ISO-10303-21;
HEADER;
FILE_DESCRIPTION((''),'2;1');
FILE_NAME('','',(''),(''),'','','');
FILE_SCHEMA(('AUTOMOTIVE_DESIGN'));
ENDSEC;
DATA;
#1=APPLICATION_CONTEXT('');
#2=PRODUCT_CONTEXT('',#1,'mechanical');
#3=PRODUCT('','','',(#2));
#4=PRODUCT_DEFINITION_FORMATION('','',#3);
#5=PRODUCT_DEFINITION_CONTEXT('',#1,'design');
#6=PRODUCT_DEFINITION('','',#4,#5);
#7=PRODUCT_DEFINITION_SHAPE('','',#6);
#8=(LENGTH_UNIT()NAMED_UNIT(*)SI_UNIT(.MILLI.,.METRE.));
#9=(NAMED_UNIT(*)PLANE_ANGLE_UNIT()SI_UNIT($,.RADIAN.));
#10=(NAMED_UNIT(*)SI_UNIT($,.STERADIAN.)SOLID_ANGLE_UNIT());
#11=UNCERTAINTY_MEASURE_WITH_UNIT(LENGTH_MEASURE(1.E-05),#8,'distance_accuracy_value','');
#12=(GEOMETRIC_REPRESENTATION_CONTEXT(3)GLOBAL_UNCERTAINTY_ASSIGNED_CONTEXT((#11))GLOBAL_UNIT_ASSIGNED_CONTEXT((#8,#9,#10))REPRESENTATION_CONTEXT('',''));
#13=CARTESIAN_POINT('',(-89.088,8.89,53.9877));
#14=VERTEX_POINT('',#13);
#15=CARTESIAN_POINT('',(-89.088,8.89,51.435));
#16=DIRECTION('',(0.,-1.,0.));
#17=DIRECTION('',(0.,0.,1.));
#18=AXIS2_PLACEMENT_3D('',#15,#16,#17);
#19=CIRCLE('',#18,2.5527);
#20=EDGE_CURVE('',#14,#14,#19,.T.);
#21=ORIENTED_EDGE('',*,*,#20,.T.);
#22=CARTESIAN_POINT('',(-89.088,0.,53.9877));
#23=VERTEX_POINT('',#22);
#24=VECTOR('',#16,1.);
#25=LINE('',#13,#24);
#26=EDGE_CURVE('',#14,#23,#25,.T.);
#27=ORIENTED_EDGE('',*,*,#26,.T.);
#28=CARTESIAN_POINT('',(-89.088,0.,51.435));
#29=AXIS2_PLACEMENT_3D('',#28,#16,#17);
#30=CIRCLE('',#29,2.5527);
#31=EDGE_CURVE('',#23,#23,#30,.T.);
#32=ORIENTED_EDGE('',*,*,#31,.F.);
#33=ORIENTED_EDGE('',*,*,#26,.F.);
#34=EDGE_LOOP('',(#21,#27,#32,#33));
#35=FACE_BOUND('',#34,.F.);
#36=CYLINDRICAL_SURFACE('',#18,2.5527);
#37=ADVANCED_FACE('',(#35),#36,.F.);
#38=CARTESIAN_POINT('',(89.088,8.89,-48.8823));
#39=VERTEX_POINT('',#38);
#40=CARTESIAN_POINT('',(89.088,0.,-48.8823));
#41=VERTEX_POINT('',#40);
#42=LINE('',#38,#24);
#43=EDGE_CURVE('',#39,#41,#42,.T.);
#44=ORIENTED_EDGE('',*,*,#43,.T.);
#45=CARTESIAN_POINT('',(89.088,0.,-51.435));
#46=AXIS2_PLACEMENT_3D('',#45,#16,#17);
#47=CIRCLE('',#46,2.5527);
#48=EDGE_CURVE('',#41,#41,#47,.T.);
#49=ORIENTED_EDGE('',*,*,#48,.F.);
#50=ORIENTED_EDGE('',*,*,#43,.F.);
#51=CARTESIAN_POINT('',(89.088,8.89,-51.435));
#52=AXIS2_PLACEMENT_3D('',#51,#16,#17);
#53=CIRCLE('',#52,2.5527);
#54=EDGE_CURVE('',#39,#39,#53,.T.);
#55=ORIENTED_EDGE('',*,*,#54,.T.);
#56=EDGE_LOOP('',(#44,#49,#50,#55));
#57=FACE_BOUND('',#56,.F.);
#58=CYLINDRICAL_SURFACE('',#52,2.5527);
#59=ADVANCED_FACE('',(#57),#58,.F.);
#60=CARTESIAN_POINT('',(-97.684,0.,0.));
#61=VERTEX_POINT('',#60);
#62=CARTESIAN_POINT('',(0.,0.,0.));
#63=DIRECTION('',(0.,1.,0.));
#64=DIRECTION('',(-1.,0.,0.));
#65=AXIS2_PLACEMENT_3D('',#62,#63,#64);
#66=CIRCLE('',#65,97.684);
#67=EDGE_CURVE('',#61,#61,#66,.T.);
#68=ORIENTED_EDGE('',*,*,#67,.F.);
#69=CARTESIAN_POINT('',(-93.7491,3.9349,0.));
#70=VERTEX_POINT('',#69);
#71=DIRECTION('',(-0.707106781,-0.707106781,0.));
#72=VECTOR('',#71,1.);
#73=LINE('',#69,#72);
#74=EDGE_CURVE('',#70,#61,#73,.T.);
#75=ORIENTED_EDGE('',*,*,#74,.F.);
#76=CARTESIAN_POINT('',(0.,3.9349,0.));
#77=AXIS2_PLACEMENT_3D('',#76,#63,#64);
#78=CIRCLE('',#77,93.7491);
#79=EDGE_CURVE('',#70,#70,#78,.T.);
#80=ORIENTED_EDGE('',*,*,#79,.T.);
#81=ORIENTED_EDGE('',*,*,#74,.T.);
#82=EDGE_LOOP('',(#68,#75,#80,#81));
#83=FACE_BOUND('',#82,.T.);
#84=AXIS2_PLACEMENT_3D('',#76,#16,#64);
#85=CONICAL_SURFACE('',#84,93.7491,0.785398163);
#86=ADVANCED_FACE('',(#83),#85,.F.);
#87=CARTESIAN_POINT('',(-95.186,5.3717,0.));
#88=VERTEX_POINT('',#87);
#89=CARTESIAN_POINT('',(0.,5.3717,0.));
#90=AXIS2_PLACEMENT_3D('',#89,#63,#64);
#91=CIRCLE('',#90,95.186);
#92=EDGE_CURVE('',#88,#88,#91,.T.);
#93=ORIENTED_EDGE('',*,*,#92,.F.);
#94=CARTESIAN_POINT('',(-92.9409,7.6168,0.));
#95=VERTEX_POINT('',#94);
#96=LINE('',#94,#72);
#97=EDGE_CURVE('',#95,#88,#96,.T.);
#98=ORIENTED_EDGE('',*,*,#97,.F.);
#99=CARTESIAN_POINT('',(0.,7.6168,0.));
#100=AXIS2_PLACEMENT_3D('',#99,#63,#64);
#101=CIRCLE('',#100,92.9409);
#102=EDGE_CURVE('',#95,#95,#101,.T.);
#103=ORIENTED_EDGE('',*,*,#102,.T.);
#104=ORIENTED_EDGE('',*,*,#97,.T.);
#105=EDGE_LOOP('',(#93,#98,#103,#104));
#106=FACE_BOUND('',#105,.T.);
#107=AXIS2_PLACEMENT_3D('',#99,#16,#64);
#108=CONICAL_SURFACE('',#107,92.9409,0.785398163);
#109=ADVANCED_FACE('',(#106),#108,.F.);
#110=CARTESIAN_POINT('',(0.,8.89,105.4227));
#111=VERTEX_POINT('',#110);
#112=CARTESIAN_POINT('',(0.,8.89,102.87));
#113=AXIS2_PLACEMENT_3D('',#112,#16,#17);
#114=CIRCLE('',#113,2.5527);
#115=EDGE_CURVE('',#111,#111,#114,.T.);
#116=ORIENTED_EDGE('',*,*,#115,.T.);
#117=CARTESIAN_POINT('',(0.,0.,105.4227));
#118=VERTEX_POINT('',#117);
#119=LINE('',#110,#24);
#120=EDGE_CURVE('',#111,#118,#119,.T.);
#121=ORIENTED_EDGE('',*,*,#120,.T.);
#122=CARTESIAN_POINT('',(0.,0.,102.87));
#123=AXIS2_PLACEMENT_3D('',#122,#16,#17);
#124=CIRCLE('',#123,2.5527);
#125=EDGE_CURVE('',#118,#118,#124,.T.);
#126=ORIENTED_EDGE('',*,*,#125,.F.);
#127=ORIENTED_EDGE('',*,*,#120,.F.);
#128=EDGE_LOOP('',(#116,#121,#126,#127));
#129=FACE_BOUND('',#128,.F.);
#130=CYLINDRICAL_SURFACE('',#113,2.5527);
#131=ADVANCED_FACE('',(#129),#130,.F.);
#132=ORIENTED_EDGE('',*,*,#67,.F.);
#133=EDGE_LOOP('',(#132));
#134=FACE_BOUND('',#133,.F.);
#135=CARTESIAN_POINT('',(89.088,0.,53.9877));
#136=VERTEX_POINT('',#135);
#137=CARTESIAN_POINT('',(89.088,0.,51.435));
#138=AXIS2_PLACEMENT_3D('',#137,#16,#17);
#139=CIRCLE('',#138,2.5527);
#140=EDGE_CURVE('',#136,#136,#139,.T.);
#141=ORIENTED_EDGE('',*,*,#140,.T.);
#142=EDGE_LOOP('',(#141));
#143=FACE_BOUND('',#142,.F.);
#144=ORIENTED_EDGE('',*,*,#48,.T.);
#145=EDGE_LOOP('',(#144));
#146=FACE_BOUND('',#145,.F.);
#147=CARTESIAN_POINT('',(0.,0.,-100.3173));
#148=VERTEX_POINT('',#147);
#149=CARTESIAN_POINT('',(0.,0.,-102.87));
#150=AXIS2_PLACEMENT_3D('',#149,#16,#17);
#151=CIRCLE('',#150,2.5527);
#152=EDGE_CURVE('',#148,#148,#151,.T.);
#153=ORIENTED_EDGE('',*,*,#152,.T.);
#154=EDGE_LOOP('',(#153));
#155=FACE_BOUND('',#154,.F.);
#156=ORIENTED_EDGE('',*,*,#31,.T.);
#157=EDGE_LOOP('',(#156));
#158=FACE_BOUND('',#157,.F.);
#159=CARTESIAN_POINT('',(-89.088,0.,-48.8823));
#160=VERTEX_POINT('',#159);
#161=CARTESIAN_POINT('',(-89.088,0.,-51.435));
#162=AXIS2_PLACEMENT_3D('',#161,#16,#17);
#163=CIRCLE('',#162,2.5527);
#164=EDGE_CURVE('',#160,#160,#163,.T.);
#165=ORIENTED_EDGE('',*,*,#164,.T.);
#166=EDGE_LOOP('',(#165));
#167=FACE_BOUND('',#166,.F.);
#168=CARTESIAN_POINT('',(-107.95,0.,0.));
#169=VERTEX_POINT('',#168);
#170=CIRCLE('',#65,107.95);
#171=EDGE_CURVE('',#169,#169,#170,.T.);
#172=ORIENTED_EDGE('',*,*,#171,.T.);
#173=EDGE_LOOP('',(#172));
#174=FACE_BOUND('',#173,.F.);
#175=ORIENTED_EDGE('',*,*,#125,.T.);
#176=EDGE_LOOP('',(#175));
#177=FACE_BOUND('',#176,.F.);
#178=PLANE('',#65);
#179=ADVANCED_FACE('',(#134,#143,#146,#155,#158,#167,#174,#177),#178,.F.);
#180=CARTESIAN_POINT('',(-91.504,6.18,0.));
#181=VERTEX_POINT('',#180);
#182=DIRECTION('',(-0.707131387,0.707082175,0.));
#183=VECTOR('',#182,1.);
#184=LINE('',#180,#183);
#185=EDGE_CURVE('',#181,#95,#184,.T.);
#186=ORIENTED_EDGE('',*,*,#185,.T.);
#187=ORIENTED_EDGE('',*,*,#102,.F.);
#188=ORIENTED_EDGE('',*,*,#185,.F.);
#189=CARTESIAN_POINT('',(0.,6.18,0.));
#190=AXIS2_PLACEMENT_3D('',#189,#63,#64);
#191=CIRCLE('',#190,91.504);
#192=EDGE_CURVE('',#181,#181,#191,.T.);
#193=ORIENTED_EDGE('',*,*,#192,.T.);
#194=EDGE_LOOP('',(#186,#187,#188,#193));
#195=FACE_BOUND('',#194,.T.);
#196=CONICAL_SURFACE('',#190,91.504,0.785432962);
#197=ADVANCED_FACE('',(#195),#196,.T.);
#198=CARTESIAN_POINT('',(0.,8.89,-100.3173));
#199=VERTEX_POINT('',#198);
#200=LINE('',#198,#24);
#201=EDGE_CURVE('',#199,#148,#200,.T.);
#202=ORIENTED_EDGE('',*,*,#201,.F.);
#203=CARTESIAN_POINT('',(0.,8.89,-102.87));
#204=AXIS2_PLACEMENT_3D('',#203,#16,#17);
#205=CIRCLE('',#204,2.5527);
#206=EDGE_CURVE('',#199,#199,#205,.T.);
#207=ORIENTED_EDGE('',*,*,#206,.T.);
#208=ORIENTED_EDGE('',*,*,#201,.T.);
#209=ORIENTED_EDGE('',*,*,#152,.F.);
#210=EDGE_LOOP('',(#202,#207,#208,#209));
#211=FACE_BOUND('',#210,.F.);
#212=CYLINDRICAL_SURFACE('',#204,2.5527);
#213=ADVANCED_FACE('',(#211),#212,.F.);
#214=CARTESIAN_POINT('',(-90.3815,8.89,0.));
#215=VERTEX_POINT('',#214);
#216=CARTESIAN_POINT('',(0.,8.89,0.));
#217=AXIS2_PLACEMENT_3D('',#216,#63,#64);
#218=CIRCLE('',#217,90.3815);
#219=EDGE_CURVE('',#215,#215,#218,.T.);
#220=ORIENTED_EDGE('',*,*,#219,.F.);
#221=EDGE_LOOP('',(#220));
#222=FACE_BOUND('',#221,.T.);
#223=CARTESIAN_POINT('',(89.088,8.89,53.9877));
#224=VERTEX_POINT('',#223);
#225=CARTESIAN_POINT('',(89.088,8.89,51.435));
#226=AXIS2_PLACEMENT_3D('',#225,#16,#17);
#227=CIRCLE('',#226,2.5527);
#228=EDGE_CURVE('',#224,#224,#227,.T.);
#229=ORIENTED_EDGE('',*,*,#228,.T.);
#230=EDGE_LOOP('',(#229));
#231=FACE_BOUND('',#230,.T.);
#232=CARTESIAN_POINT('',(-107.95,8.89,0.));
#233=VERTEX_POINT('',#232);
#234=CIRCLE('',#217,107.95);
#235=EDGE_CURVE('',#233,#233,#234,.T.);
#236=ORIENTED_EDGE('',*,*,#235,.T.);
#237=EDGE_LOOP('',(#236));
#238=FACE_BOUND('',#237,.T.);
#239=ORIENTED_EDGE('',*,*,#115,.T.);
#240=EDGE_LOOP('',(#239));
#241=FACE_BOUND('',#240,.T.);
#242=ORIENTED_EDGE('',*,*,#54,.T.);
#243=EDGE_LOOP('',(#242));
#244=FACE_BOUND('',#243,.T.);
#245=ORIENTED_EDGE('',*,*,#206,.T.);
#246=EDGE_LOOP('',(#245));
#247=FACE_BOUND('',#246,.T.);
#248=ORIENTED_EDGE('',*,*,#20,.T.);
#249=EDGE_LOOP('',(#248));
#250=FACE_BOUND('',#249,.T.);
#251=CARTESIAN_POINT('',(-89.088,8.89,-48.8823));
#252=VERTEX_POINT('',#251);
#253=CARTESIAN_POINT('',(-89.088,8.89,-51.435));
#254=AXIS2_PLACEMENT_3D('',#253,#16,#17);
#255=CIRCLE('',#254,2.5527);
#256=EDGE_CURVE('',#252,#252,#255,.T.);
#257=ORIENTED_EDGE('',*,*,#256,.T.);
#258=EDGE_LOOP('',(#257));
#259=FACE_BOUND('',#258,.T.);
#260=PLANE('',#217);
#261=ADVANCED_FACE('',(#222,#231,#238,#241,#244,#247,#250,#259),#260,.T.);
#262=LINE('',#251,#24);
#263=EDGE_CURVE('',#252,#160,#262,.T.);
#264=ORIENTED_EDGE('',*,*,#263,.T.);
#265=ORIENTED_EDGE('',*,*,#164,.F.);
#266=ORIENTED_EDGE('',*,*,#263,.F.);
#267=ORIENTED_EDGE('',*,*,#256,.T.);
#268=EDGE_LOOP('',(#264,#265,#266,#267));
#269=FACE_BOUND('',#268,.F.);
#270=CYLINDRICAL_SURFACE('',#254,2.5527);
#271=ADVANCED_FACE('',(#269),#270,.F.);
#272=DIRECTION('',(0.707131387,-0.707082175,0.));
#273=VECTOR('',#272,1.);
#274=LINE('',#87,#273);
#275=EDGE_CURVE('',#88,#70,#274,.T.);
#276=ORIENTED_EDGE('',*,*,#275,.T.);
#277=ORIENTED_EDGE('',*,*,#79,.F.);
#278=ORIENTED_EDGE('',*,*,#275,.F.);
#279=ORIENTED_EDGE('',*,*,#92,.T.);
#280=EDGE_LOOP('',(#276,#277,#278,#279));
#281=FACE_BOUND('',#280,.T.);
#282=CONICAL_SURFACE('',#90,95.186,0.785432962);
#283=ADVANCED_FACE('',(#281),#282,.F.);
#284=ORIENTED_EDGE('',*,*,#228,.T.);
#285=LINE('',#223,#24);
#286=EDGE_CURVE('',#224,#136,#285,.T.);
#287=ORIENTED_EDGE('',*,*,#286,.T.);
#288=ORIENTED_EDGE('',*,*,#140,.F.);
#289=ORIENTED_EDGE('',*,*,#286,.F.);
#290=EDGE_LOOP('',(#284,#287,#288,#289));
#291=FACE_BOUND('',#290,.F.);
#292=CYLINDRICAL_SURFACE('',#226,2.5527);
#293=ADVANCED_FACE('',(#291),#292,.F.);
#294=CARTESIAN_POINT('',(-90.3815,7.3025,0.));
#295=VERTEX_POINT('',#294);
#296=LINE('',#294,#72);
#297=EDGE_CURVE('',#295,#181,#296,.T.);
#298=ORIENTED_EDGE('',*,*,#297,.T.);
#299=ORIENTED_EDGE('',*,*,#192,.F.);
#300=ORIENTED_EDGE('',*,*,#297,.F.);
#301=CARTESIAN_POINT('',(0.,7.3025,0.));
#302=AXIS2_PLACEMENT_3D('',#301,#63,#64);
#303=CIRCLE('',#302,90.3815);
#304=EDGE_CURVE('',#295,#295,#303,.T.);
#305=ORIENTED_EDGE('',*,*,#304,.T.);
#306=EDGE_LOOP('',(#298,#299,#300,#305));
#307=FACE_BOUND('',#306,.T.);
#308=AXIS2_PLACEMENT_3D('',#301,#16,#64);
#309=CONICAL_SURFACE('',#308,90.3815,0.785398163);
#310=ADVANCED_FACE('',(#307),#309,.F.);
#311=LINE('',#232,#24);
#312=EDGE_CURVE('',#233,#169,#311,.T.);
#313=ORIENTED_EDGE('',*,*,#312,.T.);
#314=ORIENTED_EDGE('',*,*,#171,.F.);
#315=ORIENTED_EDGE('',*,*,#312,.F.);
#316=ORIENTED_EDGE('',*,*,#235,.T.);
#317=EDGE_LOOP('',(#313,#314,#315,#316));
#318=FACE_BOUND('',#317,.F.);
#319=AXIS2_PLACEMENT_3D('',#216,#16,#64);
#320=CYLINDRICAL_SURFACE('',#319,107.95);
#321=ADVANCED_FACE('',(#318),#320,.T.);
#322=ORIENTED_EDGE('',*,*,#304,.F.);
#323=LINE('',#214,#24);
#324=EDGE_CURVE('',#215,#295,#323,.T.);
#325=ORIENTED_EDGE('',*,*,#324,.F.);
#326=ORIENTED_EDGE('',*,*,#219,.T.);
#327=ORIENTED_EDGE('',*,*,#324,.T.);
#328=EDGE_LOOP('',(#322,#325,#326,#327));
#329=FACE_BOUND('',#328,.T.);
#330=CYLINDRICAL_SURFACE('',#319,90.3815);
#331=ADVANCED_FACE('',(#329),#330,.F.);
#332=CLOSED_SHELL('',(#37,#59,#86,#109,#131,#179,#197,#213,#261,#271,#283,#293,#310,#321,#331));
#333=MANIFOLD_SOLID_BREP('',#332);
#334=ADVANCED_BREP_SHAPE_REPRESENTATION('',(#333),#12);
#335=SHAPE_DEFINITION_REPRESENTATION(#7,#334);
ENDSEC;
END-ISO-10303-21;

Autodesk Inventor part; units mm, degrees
ref_plane "YZ Plane" through (0, 0, 0) normal (1, 0, 0) x (0, 1, 0)
ref_plane "XZ Plane" through (0, 0, 0) normal (0, 1, 0) x (-1, 0, 0)
ref_plane "XY Plane" through (0, 0, 0) normal (0, 0, 1) x (1, 0, 0)
sketch "Sketch1" plane through (0, 0, 0) normal (0, 0, 1) x (1, 0, 0)
  line L0 (0, -12.446) -> (0, 12.446) projected
  line L1 (-129.54, 0) -> (21.59, 0) construction
  line L2 (-107.95, 8.89) -> (-107.95, 0)
  line L3 (-107.95, 8.89) -> (-90.3815, 8.89)
  line L4 (-90.3815, 8.89) -> (-90.3815, 7.3025)
  line L5 (-90.3815, 7.3025) -> (-91.504, 6.18)
  line L6 (-91.504, 6.18) -> (-92.9409, 7.6168)
  line L7 (-92.9409, 7.6168) -> (-95.186, 5.3717)
  line L8 (-95.186, 5.3717) -> (-93.7491, 3.9349)
  line L9 (-93.7491, 3.9349) -> (-97.684, 0)
  line L10 (-97.176, 0) -> (-88.9855, 8.1905) construction
  line L11 (-94.0634, 6.4943) -> (-92.3726, 4.8034) construction
  circle A0 centre (-93.218, 5.6489) radius 1.3081 construction
  line L12 (-107.95, -8.89) -> (-90.3815, -8.89) construction
  line L13 (-90.3815, -8.89) -> (-90.3815, -7.3025) construction
  line L14 (-90.3815, -7.3025) -> (-91.504, -6.18) construction
  line L15 (-91.504, -6.18) -> (-92.9409, -7.6168) construction
  line L16 (-92.9409, -7.6168) -> (-95.186, -5.3717) construction
  line L17 (-95.186, -5.3717) -> (-93.7491, -3.9349) construction
  line L18 (-93.7491, -3.9349) -> (-97.684, 0) construction
  line L19 (-107.95, 0) -> (-97.684, 0)
  line L20 (-107.95, 0) -> (-107.95, -8.89) construction
  point P0 (0, 0)
  dimension "d24" = 1.5875
  dimension "d25" = 2.032
  dimension "d26" = 45
  dimension "d27" = 0.508
  dimension "d28" = 3.175
  dimension "d29" = 2.6162
  dimension "d30" = 186.436
  dimension "d31" = 215.9
  dimension "d32" = 17.78
  dimension "d33" = 1.5875
revolve "Revolution1" add sketch "Sketch1" angle 360 about axis through (0, -10, 0) along (0, 1, 0)
sketch "Sketch2" plane through (0, 8.89, 0) normal (0, 1, 0) x (1, 0, 0)
  point P0 (0, 0)
  point P1 (0, 102.87)
  point P2 (-89.088, 51.435)
  point P3 (-89.088, -51.435)
  point P4 (0, -102.87)
  point P5 (89.088, -51.435)
  point P6 (89.088, 51.435)
  dimension "d36" = 102.87
  dimension "d39" = 360
hole "Hole1" at (0, 8.89, -102.87) at (-89.088, 8.89, -51.435) at (-89.088, 8.89, 51.435) at (0, 8.89, 102.87) at (89.088, 8.89, 51.435) at (89.088, 8.89, -51.435) direction (0, -1, 0) diameter 5.1054 end through all clearance for "Flat Head Machine Screw (82)" size "#10" standard "Ansi Unified Screw Threads"
properties part number "3DPRINT,OUTER-V" material "Nylon 6/6"
